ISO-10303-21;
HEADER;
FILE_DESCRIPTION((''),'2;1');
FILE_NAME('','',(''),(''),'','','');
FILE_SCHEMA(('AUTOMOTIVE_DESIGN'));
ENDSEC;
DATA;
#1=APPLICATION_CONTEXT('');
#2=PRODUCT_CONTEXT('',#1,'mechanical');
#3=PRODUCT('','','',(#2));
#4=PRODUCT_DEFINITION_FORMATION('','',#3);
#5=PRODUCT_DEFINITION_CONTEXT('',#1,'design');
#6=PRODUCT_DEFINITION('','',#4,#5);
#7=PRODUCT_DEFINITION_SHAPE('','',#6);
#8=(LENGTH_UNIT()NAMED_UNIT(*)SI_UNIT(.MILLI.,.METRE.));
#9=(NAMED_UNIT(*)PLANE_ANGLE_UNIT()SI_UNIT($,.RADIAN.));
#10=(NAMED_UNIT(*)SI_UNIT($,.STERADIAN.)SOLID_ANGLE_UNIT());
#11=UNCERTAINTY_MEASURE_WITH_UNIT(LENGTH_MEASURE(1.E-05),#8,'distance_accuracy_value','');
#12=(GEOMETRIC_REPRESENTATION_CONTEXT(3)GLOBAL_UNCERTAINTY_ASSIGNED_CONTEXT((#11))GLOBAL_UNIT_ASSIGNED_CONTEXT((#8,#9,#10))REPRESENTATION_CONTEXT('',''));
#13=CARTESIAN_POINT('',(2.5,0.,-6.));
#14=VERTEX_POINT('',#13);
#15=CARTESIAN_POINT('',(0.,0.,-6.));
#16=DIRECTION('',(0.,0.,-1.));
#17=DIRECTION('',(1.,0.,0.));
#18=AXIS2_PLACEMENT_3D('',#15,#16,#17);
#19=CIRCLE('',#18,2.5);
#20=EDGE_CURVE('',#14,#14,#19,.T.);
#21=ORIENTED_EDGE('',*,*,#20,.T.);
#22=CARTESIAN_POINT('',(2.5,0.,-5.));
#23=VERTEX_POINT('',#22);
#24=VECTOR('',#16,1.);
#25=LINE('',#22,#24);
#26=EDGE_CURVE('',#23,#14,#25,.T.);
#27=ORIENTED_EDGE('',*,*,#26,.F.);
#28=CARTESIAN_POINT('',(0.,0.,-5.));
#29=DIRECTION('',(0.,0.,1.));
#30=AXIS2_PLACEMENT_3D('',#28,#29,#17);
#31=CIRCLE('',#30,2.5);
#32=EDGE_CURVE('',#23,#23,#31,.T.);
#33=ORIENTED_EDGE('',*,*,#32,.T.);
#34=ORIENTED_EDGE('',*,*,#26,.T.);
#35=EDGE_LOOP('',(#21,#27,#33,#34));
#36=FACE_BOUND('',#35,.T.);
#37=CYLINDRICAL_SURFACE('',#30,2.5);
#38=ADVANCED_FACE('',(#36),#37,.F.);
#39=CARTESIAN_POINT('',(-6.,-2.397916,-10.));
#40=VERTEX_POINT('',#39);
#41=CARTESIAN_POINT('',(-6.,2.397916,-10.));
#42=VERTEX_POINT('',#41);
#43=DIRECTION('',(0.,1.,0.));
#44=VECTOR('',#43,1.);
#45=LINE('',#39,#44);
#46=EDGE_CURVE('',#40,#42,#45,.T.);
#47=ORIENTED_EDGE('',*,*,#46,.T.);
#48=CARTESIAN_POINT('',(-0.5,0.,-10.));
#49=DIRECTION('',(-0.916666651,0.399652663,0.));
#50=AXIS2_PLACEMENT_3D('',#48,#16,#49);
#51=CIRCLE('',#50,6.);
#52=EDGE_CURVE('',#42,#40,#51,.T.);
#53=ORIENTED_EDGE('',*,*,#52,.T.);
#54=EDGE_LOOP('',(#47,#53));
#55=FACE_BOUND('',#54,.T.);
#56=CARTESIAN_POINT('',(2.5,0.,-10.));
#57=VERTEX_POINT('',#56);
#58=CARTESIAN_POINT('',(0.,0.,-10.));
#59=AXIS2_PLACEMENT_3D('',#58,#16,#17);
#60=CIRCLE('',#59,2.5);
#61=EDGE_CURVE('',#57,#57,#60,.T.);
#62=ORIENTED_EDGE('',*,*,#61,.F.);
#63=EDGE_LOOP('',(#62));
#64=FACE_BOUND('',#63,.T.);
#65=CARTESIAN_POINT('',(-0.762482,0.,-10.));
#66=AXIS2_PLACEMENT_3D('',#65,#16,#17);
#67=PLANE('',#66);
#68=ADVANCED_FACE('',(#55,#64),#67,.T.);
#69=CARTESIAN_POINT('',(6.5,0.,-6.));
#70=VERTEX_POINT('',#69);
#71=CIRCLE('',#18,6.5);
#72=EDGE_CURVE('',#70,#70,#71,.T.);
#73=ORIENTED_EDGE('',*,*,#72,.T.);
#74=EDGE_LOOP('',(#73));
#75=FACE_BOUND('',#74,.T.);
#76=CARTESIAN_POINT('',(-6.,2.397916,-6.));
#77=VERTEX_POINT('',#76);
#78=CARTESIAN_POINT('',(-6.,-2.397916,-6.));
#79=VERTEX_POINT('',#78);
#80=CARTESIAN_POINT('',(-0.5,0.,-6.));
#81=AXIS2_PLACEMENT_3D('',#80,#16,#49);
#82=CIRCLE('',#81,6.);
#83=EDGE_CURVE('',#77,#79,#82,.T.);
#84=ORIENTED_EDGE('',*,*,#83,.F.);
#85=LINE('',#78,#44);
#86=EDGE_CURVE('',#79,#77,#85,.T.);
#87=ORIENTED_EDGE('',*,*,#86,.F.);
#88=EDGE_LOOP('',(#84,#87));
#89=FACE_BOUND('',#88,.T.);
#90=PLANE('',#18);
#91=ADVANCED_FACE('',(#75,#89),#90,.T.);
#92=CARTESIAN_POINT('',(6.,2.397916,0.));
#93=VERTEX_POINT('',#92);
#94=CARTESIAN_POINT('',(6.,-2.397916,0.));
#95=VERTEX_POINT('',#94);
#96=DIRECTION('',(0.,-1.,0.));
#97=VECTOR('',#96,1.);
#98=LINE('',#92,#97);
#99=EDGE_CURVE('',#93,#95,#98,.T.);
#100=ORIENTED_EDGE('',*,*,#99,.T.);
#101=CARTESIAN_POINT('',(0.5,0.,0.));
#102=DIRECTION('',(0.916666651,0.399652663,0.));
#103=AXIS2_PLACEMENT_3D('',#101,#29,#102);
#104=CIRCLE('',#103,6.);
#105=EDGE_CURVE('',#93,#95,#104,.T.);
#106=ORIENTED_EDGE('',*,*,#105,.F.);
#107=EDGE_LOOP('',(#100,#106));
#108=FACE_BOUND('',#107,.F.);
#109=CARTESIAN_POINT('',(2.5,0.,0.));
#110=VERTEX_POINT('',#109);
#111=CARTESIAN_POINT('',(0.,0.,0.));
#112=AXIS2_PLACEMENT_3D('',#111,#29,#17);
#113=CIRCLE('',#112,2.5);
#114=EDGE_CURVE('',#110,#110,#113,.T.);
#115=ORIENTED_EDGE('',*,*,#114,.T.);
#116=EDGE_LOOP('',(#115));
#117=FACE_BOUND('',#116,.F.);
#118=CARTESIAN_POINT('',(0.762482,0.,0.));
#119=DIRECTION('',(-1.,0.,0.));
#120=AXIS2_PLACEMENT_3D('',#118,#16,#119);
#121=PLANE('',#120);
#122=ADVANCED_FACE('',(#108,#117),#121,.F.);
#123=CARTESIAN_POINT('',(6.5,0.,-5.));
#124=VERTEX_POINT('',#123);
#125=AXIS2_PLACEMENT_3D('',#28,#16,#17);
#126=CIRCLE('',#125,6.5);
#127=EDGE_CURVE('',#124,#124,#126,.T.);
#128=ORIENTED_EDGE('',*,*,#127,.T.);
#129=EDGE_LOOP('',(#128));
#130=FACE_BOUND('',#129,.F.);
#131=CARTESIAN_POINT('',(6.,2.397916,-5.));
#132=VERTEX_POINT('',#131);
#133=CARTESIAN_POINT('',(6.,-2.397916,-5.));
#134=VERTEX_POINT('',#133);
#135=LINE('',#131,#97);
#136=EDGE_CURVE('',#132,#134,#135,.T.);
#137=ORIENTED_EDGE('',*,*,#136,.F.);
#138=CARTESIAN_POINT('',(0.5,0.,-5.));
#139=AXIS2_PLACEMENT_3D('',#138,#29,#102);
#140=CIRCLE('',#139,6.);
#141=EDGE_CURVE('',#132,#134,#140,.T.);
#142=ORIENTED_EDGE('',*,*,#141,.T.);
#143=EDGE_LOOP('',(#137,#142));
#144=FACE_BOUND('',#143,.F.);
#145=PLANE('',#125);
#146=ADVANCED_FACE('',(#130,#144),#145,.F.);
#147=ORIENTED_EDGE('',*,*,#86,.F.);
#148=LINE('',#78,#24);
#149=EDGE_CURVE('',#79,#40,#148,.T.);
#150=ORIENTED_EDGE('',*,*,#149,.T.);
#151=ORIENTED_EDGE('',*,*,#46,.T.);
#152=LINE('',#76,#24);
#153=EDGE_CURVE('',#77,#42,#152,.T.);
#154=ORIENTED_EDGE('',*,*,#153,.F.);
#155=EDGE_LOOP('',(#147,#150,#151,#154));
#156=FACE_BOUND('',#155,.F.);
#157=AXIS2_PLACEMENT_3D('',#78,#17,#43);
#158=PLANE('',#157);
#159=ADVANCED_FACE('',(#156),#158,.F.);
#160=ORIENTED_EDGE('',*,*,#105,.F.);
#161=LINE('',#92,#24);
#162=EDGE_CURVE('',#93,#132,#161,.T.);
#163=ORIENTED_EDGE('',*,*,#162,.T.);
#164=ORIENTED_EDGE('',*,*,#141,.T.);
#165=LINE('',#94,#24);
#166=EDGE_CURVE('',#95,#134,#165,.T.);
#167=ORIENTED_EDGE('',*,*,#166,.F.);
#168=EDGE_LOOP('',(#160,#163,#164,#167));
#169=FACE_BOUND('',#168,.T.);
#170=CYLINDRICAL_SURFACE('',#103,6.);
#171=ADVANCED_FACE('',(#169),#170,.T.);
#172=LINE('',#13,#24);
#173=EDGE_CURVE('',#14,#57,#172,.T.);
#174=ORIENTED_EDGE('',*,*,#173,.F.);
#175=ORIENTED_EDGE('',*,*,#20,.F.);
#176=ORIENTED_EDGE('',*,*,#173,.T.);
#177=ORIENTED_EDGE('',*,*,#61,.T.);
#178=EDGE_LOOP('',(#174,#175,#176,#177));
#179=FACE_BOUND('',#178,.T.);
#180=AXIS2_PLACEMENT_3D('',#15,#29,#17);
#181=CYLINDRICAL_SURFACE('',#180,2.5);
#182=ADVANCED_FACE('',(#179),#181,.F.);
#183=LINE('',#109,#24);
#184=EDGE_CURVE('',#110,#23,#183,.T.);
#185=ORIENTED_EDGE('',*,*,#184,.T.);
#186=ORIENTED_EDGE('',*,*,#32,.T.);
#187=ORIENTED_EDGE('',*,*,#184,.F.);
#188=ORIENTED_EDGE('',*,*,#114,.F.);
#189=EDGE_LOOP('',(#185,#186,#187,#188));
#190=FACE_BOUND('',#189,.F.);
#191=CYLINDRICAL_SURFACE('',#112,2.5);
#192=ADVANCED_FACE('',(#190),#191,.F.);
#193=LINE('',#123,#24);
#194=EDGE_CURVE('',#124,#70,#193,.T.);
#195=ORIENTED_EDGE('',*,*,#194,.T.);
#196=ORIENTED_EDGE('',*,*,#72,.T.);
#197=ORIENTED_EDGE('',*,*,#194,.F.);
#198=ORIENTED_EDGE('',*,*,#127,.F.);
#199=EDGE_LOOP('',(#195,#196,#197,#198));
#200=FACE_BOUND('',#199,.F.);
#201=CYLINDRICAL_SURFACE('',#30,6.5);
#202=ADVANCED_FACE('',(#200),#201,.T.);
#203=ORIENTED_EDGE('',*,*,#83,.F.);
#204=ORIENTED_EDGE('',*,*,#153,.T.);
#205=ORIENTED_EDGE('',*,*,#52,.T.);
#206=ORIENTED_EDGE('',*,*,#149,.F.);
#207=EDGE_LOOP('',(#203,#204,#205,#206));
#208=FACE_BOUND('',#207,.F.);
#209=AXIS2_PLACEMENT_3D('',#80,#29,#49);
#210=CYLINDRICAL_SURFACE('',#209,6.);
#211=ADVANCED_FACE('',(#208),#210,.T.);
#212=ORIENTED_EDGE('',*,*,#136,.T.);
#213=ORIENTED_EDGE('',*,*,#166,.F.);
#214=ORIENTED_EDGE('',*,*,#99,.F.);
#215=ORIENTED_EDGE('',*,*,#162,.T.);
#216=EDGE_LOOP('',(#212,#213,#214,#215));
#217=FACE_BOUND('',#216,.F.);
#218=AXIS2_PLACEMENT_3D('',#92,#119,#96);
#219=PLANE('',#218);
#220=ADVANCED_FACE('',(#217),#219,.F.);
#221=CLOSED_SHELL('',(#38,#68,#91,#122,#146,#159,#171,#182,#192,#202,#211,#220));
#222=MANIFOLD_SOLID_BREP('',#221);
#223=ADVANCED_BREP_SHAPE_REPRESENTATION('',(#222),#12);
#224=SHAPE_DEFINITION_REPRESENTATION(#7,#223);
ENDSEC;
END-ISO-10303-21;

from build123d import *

# Parameters (mm, degrees)
SKETCH_R      = 2.5
PAD_DEPTH     = 5
SKETCH001_R   = 6.5
SKETCH001_R_2 = 2.5
PAD001_DEPTH  = 1
SKETCH002_R   = 2.5
PAD002_DEPTH  = 4


with BuildPart() as part:
    # Sketch → Pad (new body)
    with BuildSketch(Plane.XY):
        with BuildLine():
            Line((6, 2.397916), (6, -2.397916))
            ThreePointArc((6, 2.397916), (-5.5, 0), (6, -2.397916))
        make_face()
        Circle(SKETCH_R, mode=Mode.SUBTRACT)
    extrude(amount=-PAD_DEPTH)

    # Sketch001 (on Face5 of Pad) → Pad001 (join)
    with BuildSketch(Plane(origin=(0, 0, -5), x_dir=(1, 0, 0), z_dir=(0, 0, -1))):
        Circle(SKETCH001_R)
        Circle(SKETCH001_R_2, mode=Mode.SUBTRACT)
    extrude(amount=PAD001_DEPTH)

    # Sketch002 (on Face8 of Pad001) → Pad002 (join)
    with BuildSketch(Plane(origin=(0, 0, -6), x_dir=(1, 0, 0), z_dir=(0, 0, -1))):
        with BuildLine():
            ThreePointArc((-6, -2.397916), (5.5, 0), (-6, 2.397916))
            Line((-6, 2.397916), (-6, -2.397916))
        make_face()
        Circle(SKETCH002_R, mode=Mode.SUBTRACT)
    extrude(amount=PAD002_DEPTH)


solid = part.part
